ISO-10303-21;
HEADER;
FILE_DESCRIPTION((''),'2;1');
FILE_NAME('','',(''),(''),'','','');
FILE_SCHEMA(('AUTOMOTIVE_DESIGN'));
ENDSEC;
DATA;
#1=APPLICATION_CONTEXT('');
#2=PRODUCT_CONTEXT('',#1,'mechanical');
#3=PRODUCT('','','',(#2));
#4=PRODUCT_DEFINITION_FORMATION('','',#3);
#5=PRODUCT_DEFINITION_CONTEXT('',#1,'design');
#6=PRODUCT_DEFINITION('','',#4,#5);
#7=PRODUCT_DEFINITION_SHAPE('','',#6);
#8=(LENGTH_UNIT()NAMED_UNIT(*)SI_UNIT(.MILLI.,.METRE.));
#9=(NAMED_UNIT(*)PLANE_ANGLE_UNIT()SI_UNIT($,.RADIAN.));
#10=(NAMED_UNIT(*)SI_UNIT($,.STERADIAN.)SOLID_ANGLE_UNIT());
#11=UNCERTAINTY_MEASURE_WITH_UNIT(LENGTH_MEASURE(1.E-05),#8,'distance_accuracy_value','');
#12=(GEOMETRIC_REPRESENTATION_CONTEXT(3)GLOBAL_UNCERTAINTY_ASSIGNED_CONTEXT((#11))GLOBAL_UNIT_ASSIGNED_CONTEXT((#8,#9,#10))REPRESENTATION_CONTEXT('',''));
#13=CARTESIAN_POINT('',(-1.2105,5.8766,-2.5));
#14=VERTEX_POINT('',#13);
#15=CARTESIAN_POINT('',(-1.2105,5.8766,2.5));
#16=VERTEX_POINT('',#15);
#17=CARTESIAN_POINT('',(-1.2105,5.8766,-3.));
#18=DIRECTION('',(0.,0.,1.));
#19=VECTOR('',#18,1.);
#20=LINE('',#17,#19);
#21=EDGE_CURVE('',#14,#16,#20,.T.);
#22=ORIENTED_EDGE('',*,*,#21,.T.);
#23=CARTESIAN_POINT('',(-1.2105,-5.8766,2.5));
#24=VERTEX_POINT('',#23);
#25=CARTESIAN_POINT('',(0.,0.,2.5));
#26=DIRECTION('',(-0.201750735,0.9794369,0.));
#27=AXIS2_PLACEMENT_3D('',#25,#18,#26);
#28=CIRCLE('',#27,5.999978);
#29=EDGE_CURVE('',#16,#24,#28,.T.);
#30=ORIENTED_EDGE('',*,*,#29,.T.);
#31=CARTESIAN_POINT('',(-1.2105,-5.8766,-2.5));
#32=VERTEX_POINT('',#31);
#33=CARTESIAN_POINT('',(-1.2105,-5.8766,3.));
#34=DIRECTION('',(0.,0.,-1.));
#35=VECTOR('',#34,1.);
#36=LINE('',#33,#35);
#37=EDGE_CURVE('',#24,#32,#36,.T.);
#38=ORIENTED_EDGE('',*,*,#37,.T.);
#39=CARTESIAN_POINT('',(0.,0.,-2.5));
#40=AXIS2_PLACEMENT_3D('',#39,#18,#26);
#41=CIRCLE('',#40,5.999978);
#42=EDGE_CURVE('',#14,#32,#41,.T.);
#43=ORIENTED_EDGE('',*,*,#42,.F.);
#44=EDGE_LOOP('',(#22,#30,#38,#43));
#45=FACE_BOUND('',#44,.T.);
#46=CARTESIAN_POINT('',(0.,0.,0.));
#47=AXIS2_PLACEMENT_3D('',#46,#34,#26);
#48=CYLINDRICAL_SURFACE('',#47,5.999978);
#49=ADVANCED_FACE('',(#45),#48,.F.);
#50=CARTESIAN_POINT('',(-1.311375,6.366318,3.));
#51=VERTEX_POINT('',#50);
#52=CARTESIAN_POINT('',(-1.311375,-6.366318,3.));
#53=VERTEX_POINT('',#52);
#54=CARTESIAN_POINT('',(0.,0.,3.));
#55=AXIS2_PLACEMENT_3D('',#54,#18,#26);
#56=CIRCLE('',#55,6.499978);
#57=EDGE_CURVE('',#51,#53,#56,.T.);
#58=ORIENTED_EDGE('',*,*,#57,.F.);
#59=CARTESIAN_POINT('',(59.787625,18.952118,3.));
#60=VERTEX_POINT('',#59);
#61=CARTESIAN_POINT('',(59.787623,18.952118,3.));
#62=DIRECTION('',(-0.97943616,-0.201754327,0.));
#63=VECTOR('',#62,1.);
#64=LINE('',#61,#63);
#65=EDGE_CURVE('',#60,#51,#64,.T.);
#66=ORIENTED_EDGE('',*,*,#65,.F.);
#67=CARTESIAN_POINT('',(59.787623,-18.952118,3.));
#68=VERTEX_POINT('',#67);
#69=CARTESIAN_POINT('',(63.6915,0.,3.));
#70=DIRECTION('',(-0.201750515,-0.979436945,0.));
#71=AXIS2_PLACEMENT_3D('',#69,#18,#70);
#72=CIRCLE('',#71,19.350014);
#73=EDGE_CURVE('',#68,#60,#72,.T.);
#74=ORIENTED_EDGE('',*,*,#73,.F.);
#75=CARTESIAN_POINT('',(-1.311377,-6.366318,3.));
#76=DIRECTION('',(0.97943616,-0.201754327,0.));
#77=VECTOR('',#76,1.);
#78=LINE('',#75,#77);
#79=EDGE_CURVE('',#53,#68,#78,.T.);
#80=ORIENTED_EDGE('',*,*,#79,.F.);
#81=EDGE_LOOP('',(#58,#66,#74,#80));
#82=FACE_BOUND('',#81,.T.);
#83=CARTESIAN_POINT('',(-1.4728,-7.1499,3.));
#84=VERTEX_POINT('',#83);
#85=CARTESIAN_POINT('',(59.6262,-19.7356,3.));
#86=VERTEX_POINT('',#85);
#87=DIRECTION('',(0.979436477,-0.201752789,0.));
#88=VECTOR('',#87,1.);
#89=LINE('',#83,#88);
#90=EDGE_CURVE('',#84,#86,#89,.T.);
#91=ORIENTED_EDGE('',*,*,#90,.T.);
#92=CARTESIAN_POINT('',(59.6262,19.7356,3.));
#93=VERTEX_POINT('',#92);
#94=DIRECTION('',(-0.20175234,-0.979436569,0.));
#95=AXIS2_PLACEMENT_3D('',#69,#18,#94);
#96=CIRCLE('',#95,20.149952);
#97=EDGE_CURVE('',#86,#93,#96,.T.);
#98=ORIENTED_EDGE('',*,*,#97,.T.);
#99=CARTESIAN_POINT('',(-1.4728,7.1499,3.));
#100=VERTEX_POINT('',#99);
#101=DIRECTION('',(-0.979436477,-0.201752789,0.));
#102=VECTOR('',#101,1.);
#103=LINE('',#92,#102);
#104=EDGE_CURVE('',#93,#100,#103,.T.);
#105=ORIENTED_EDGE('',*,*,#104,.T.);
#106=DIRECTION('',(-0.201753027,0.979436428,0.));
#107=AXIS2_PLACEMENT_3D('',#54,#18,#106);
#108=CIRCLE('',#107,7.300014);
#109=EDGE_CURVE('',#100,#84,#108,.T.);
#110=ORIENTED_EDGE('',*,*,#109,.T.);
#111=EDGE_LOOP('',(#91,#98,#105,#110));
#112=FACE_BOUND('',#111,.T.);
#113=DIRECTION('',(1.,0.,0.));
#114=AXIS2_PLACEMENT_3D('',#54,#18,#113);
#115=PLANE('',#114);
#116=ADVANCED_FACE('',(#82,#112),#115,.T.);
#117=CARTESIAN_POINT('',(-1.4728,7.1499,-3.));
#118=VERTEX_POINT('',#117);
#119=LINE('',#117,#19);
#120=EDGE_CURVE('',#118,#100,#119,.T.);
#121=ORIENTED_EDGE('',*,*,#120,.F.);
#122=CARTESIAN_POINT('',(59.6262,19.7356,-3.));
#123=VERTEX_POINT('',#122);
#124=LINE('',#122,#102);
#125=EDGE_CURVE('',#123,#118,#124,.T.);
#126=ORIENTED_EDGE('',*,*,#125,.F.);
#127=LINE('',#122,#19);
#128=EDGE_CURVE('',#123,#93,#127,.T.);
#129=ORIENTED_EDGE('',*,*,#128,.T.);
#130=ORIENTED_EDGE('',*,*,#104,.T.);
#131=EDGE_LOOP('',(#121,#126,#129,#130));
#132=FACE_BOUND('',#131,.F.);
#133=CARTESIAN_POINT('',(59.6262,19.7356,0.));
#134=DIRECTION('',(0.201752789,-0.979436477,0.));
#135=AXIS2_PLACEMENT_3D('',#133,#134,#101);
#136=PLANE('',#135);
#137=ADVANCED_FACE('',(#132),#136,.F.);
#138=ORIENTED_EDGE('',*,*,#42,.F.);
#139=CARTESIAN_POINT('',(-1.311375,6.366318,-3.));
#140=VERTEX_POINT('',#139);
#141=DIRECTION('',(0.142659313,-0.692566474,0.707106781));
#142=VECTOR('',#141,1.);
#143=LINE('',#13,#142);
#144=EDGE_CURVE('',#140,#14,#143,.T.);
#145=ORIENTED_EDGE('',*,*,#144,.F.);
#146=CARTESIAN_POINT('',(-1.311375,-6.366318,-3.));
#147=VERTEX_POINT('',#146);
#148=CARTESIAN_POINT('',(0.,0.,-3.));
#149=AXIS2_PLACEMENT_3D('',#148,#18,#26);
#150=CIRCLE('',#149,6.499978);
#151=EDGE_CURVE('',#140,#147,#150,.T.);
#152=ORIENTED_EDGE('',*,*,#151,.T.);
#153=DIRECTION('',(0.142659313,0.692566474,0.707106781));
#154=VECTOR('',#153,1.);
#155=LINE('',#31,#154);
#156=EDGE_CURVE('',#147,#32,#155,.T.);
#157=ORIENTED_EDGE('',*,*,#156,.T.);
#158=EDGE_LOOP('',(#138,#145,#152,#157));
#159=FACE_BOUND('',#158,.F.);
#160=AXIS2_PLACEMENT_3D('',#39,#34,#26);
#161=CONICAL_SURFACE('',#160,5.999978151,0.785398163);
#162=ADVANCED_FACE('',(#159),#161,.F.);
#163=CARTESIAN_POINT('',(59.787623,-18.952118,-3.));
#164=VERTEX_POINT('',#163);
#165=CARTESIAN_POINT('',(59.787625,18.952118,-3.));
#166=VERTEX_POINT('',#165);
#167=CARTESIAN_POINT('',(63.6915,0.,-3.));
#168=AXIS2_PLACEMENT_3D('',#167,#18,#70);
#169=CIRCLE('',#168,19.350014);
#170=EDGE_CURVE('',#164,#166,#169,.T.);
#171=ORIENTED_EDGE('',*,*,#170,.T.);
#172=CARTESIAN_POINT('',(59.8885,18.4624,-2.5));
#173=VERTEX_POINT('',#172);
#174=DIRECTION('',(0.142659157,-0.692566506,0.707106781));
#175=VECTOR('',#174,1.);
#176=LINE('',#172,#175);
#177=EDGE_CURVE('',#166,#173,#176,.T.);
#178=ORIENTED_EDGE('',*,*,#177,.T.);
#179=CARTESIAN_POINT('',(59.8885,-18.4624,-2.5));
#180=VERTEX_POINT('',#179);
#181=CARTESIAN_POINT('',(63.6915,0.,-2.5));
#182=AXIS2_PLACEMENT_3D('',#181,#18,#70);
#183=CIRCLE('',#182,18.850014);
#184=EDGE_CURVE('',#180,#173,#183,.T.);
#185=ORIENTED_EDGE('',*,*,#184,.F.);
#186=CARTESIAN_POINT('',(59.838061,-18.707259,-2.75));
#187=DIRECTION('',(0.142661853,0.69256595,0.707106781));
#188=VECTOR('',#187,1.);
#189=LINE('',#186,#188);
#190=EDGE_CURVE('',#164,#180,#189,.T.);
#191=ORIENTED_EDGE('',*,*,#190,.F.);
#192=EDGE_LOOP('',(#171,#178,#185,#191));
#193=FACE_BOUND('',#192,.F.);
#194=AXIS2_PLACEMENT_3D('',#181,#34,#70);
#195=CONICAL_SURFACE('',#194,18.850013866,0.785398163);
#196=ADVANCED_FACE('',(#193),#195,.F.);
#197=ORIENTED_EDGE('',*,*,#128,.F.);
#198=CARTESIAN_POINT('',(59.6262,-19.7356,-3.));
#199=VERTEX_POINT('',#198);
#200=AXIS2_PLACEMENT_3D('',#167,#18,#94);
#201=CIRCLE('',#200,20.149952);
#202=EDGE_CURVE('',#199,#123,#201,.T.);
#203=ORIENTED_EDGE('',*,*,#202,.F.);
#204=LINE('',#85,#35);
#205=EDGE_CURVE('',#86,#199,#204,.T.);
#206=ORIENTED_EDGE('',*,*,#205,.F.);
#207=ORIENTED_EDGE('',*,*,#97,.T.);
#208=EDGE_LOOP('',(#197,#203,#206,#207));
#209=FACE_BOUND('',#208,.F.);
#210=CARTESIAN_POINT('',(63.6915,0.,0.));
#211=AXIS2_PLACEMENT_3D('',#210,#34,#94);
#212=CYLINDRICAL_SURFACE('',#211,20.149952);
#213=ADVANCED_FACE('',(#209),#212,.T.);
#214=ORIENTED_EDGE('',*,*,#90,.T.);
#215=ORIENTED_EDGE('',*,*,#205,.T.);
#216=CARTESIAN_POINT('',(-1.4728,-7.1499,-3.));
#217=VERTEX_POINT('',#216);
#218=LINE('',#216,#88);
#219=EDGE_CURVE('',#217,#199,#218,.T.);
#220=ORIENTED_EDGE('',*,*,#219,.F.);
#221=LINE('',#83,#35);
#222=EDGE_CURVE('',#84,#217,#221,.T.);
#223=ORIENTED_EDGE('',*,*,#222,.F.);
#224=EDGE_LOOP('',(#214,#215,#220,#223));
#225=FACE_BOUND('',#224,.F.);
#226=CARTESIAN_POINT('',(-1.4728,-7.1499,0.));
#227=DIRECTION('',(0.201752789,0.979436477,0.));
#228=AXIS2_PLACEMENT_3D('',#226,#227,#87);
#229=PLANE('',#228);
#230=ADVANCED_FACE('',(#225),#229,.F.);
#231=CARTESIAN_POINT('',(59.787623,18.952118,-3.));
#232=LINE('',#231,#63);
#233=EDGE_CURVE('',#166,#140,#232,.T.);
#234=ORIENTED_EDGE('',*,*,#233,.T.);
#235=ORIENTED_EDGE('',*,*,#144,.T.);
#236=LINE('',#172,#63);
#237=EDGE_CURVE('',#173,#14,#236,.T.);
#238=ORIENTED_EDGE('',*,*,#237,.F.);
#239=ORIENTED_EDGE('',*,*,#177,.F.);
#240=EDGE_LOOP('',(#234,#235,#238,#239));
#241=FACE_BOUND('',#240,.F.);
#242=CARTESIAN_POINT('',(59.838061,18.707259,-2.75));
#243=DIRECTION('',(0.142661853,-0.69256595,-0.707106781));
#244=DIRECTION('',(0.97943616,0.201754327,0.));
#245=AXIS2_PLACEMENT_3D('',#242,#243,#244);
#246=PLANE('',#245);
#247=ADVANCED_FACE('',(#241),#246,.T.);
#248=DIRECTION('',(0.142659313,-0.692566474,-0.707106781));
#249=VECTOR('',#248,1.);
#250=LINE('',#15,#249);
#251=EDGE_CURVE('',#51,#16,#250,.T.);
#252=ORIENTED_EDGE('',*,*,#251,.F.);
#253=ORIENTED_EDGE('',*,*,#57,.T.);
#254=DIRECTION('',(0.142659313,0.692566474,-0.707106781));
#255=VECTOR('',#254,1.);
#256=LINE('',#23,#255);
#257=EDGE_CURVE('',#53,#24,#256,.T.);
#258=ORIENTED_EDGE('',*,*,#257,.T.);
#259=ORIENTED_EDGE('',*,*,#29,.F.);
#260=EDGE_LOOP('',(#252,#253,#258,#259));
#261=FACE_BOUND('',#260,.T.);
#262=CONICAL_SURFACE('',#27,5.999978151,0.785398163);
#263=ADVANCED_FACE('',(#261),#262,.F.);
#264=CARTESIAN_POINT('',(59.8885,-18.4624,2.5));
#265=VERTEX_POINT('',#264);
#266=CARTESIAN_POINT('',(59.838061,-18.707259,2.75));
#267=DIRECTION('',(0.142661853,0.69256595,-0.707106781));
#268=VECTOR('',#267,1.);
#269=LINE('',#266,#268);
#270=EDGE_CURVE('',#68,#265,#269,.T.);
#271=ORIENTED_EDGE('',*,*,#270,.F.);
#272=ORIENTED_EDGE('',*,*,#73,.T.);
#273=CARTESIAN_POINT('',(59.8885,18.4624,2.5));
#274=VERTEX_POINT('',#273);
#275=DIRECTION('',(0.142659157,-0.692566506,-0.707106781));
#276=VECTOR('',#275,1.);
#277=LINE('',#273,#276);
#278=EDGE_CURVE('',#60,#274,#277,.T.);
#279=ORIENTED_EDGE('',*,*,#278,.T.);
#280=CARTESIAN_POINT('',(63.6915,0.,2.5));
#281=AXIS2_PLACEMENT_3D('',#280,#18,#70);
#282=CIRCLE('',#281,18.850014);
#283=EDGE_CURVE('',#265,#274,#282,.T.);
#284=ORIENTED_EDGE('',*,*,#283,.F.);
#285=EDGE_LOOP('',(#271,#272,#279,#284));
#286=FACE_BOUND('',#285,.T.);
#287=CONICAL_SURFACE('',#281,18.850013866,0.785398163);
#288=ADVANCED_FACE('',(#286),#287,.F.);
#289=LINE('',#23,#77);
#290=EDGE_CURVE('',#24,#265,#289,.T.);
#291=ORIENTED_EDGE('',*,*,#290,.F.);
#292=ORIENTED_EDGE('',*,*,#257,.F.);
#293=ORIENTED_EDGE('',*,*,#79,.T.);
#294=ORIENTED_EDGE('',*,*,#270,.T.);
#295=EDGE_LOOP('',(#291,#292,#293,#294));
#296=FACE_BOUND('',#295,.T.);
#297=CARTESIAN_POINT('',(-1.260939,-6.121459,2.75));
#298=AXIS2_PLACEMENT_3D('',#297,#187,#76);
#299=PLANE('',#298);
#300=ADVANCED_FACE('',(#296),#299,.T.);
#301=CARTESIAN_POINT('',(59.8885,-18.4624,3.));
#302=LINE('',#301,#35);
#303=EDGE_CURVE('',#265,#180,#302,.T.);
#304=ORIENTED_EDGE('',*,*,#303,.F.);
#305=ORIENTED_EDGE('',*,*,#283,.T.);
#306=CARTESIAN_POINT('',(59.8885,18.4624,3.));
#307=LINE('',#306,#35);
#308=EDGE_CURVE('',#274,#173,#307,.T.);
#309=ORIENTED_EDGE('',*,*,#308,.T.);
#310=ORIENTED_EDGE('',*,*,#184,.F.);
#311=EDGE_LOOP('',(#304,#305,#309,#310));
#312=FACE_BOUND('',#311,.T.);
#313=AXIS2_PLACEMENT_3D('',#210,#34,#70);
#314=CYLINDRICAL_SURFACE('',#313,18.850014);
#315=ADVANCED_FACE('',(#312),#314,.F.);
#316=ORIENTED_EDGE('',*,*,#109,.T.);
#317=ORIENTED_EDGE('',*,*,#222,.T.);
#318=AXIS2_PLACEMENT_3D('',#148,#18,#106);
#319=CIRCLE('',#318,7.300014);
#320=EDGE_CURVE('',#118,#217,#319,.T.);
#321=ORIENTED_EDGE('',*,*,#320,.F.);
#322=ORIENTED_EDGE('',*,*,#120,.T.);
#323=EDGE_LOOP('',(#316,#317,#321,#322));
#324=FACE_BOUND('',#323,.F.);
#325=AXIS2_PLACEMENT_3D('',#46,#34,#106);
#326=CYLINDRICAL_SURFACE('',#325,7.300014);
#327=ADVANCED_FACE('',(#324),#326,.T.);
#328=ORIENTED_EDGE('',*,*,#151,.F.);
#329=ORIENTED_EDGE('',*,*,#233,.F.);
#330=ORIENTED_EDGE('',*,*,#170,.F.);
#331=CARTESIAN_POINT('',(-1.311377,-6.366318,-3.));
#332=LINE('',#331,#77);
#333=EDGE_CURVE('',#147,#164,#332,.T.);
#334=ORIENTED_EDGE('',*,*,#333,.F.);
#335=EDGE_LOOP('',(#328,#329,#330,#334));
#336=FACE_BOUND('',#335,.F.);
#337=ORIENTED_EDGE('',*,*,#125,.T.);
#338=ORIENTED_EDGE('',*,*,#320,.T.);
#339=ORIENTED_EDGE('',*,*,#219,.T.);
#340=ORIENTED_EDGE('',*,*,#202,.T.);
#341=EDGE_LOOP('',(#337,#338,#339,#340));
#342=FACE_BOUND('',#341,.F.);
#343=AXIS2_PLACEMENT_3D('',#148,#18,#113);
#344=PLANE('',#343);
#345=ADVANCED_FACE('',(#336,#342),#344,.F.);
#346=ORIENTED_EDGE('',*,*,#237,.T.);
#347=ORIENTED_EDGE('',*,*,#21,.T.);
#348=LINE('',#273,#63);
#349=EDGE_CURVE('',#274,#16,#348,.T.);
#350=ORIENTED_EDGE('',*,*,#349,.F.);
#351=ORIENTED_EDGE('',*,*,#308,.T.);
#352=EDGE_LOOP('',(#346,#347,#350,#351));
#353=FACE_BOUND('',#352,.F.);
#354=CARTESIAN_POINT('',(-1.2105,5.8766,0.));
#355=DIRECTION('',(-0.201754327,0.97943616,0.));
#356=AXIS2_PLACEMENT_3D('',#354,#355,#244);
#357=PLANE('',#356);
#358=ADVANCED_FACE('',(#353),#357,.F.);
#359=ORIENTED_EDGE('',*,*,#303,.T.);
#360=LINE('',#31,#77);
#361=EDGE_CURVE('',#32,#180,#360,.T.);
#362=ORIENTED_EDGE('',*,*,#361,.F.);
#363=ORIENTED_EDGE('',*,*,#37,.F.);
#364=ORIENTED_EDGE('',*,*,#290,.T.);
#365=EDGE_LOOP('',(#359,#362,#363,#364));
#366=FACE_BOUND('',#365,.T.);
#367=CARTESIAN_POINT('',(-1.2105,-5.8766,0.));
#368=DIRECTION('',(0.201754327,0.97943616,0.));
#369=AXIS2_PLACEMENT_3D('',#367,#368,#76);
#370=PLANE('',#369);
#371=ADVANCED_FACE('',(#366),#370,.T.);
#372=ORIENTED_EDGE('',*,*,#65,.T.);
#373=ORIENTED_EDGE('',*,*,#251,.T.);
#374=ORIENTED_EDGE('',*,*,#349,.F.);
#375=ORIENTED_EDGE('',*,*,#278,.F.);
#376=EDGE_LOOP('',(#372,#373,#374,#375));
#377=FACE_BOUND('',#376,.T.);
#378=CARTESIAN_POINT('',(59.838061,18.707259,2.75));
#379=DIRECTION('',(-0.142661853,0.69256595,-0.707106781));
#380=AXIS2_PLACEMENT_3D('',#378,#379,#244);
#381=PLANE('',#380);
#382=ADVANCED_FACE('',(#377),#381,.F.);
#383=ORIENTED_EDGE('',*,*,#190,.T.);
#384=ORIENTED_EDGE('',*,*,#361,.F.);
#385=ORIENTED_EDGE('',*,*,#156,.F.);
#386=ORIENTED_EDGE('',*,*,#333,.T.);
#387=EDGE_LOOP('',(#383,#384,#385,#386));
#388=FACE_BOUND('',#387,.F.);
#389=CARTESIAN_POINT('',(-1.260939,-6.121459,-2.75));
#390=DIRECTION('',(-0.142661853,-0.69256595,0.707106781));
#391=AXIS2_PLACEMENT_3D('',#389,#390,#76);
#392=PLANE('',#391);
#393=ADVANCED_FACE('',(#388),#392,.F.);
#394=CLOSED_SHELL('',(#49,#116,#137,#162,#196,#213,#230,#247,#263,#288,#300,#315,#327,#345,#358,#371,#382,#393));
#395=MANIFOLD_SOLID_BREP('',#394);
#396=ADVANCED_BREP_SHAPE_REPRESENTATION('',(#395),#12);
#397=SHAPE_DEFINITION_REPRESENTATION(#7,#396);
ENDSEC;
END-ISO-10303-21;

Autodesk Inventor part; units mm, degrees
ref_plane "YZ Plane" through (0, 0, 0) normal (1, 0, 0) x (0, 1, 0)
ref_plane "XZ Plane" through (0, 0, 0) normal (0, 1, 0) x (-1, 0, 0)
ref_plane "XY Plane" through (0, 0, 0) normal (0, 0, 1) x (1, 0, 0)
sketch "Sketch1" plane through (0, 0, 0) normal (0, 0, 1) x (1, 0, 0)
  arc A0 (-1.2105, 5.8766) -> (-1.2105, -5.8766) centre (0, 0) ccw
  arc A1 (59.8885, -18.4624) -> (59.8885, 18.4624) centre (63.6915, 0) ccw
  line L0 (-1.2105, 5.8766) -> (59.8885, 18.4624)
  line L1 (-1.2105, -5.8766) -> (59.8885, -18.4624)
  line L2 (59.6262, 19.7356) -> (-1.4728, 7.1499)
  arc A2 (-1.4728, 7.1499) -> (-1.4728, -7.1499) centre (0, 0) ccw
  line L3 (-1.4728, -7.1499) -> (59.6262, -19.7356)
  arc A3 (59.6262, -19.7356) -> (59.6262, 19.7356) centre (63.6915, 0) ccw
  dimension "d0" = 12
  dimension "d1" = 37.7
  dimension "d3" = 1.3
  dimension "d9" = 63.6915
extrude "Extrusion1" add sketch "Sketch1" along normal mid plane 6
chamfer "Chamfer1" distance 0.5 angle 45 8 edges at (-6, 0, 3) (29.339, 12.1695, 3) (82.5415, 0, 3) (29.339, -12.1695, 3) (-6, 0, -3) (29.339, -12.1695, -3) (82.5415, 0, -3) (29.339, 12.1695, -3)
properties part number "Tandriem16naar60T" material "Rubber"
